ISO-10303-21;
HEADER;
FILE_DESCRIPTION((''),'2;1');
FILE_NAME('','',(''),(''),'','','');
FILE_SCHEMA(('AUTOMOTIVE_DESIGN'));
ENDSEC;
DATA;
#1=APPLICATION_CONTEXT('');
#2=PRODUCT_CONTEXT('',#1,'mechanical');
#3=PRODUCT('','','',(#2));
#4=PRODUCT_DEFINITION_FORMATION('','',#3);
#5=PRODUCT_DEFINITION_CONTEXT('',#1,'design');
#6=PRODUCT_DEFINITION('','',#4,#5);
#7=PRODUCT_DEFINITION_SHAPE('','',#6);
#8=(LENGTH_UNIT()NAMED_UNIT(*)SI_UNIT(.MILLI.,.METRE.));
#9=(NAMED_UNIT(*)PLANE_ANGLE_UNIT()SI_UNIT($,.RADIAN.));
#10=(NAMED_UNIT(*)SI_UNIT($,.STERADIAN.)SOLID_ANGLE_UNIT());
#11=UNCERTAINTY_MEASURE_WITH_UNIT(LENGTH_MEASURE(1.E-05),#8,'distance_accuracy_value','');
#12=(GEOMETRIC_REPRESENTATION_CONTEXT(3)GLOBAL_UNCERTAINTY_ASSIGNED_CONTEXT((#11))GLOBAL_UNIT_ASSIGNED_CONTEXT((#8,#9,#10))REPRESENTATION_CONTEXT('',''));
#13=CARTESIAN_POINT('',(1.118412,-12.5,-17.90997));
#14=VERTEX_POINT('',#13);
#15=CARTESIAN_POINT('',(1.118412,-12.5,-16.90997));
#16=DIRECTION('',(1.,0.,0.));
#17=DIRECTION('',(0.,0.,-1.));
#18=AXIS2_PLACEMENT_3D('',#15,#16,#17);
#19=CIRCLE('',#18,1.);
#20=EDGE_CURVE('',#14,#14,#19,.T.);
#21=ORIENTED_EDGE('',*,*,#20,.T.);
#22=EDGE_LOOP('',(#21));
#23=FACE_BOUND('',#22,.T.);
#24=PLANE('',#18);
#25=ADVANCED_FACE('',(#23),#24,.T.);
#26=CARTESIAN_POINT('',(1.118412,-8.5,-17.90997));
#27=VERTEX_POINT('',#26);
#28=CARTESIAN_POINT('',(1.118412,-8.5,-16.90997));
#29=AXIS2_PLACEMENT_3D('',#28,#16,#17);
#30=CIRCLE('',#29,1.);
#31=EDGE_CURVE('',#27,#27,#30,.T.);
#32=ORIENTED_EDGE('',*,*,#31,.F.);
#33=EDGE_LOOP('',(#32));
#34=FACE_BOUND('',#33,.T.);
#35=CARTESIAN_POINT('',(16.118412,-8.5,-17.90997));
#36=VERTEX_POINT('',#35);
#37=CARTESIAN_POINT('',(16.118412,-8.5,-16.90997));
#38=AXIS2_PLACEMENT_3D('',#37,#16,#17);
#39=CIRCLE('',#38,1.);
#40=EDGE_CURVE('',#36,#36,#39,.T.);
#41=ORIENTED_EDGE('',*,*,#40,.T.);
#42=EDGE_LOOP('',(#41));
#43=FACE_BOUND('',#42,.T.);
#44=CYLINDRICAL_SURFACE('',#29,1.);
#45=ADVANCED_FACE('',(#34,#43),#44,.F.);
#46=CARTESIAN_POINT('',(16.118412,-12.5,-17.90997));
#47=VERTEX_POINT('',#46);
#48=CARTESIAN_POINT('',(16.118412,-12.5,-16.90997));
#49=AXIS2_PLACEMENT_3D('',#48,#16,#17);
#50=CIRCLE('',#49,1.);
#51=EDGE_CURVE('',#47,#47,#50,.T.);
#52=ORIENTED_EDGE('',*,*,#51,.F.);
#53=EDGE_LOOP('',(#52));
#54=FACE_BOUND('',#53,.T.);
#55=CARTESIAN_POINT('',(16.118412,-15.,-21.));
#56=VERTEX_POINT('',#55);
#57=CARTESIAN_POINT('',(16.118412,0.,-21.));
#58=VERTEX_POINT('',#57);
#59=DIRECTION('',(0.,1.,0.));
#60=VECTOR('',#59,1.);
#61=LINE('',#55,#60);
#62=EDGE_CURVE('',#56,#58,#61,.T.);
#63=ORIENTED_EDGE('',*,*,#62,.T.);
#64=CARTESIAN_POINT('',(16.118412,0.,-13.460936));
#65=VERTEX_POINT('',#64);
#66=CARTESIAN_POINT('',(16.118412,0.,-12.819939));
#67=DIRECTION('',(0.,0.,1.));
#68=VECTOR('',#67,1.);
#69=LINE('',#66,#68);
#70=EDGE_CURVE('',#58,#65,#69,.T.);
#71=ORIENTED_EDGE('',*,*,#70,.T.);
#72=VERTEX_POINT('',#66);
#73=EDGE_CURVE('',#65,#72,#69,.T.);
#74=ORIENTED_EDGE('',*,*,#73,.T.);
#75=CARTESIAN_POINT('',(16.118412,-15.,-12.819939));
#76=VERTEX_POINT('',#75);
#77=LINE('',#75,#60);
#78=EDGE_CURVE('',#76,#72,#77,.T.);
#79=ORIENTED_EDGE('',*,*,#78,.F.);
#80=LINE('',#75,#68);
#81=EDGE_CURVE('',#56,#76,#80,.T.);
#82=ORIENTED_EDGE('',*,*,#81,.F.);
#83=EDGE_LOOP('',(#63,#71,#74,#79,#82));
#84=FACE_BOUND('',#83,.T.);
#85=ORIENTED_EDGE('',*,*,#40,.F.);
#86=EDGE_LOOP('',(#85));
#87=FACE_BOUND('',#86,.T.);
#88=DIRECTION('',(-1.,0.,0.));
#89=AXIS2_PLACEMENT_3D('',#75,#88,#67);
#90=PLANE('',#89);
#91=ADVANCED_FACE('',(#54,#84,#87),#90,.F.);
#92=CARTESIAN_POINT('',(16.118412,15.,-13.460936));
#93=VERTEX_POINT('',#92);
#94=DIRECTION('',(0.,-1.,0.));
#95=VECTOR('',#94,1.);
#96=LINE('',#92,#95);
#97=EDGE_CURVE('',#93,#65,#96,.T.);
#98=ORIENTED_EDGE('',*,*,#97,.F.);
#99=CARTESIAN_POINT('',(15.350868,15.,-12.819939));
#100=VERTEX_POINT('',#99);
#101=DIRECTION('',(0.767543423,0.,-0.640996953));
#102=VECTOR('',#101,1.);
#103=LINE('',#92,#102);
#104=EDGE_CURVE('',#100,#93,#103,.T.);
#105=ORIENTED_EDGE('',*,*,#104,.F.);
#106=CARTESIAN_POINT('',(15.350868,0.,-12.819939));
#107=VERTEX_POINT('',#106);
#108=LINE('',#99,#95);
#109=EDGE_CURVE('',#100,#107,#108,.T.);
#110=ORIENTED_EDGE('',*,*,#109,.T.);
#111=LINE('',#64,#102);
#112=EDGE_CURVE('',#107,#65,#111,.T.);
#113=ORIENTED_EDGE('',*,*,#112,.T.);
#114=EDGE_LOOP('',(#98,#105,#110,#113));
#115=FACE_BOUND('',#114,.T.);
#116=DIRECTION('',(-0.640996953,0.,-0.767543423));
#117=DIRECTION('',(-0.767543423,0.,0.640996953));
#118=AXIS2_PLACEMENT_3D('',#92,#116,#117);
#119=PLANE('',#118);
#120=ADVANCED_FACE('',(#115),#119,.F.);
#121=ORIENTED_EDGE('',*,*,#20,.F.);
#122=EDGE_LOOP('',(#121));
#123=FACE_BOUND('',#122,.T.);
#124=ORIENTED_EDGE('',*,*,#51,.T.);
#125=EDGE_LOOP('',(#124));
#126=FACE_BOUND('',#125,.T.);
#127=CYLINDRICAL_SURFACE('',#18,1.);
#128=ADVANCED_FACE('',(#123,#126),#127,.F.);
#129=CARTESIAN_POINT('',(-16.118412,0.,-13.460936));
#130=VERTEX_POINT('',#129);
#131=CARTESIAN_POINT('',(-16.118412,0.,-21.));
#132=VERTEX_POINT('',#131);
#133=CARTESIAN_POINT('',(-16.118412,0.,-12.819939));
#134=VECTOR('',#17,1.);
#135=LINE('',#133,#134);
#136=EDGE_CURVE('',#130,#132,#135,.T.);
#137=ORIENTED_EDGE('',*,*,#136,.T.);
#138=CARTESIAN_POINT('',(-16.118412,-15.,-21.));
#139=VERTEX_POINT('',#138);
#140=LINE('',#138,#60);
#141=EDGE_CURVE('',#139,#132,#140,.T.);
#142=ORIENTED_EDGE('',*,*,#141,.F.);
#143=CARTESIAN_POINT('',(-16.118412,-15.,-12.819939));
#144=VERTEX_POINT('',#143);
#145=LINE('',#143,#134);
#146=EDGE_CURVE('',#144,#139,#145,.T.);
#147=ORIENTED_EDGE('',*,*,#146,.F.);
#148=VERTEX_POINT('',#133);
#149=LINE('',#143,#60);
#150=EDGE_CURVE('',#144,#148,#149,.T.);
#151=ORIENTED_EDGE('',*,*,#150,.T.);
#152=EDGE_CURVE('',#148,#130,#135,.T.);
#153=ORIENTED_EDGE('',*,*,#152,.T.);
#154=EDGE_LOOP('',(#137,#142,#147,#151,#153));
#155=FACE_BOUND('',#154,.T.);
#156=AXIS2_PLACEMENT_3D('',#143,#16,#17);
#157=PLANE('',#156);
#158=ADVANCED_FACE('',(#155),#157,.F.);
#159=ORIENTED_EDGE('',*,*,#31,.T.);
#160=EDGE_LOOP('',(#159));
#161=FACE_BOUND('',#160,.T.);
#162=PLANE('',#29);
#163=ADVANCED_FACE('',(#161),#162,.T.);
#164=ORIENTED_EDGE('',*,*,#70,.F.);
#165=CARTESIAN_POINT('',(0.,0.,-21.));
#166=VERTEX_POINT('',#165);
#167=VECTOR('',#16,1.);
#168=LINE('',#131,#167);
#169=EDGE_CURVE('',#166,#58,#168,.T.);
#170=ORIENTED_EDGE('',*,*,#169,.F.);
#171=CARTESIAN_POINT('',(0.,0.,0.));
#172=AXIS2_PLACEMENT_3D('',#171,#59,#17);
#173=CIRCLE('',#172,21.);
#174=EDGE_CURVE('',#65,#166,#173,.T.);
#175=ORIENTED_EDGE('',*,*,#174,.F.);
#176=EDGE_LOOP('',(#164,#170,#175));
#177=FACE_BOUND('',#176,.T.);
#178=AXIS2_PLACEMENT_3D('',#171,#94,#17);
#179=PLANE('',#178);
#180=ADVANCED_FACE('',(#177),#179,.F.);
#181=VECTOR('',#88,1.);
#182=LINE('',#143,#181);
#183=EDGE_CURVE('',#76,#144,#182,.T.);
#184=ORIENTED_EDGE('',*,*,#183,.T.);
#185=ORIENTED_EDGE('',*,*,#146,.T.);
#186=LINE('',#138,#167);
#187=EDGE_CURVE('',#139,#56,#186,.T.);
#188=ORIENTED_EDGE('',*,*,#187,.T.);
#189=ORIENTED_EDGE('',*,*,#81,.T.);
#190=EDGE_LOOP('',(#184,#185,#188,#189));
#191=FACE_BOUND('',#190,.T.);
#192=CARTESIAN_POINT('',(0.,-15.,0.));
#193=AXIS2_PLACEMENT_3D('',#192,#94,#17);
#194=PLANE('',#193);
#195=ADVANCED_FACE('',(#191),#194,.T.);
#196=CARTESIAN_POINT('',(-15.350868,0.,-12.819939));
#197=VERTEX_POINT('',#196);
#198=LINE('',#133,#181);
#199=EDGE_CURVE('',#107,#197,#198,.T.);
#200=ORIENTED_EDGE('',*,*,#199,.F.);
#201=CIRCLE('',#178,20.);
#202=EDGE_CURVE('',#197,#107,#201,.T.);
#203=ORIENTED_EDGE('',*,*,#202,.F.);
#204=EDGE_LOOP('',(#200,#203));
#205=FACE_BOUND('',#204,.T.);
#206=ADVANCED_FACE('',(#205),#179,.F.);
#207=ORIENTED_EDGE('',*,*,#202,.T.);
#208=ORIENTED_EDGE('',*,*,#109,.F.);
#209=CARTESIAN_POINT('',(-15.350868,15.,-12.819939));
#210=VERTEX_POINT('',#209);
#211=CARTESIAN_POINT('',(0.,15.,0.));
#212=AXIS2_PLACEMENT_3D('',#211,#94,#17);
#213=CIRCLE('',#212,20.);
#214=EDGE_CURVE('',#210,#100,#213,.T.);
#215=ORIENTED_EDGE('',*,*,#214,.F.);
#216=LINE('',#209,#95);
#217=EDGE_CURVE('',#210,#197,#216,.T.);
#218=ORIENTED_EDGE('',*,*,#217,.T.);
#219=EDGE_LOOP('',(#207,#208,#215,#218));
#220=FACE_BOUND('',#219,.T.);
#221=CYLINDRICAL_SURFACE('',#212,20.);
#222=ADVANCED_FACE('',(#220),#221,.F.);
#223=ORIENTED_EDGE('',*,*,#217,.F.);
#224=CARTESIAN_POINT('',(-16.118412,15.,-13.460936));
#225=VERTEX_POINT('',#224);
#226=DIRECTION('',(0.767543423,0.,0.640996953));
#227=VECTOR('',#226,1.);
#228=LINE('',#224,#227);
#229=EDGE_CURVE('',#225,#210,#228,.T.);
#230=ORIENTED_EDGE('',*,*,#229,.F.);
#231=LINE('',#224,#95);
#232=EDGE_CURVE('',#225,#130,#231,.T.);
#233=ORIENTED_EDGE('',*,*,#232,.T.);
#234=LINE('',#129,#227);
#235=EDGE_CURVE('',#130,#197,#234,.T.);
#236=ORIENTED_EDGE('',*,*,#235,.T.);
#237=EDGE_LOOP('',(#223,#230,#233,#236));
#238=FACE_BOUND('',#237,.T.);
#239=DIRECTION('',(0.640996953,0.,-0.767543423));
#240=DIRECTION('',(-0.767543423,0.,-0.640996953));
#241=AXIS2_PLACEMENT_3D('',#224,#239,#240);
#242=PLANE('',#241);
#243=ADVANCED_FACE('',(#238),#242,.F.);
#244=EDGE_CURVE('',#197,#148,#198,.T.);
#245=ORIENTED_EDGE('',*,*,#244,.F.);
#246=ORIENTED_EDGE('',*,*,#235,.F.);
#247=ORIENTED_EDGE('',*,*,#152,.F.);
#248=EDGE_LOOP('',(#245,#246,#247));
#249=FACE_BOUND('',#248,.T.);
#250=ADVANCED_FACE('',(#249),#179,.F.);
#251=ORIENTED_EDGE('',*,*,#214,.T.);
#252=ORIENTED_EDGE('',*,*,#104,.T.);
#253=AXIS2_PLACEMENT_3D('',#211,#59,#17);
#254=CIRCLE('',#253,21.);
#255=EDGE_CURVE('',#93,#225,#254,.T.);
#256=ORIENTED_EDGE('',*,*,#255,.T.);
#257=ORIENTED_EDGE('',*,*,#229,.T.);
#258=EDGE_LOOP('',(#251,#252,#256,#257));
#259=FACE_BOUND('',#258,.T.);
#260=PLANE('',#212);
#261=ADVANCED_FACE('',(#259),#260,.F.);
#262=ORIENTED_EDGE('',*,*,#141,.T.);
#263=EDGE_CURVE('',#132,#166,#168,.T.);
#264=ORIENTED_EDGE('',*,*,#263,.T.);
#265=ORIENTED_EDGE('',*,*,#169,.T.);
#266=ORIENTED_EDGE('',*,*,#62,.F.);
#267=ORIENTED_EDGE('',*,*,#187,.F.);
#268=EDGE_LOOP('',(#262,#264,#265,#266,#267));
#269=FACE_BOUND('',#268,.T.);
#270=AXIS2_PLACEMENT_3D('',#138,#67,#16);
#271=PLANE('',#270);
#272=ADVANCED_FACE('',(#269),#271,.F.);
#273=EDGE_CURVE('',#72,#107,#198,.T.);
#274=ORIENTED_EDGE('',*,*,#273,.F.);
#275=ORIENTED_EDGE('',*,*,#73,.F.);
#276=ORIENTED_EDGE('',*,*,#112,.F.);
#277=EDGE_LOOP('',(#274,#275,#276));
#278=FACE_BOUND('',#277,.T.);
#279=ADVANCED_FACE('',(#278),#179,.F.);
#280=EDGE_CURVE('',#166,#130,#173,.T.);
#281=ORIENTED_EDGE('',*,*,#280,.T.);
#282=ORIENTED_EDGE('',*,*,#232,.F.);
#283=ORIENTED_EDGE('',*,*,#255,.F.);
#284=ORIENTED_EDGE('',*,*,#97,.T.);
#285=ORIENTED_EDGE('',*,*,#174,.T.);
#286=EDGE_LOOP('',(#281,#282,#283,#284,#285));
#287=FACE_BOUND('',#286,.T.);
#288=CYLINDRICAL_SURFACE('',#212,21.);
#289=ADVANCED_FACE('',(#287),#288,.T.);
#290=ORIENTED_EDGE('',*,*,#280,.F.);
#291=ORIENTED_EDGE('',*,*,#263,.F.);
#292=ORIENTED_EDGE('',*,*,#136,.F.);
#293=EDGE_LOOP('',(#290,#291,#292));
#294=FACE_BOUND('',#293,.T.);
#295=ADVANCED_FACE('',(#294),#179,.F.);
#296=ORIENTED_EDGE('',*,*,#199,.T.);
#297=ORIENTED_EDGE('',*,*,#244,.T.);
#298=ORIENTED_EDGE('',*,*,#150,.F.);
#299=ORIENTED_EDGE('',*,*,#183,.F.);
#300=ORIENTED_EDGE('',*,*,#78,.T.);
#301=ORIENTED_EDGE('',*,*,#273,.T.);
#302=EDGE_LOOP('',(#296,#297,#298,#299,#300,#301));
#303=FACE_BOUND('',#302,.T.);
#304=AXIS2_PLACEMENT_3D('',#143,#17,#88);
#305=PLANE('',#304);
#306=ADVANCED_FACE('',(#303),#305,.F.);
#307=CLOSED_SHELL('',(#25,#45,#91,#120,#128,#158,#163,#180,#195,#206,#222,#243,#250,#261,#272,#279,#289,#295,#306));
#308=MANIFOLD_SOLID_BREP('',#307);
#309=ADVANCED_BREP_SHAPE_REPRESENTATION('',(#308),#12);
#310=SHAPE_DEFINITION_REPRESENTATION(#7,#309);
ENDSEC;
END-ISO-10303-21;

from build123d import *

# Parameters (mm, degrees)
BOSS_EXTRUDE1_DEPTH = 15
SKETCH3_W           = 32.23682377
SKETCH3_H           = 8.180060941
BOSS_EXTRUDE2_DEPTH = 15
SKETCH4_R           = 1
CUT_EXTRUDE1_DEPTH  = 15


with BuildPart() as part:
    # Sketch2 → Boss-Extrude1 (new body)
    with BuildSketch(Plane(origin=(0, 0, 0), x_dir=(1, 0, 0), z_dir=(0, 1, 0))):
        with BuildLine():
            Line((-16.118411885, 13.460936011), (-15.350868462, 12.819939059))
            ThreePointArc((-15.350868462, 12.819939059), (0, 20), (15.350868462, 12.819939059))
            Line((15.350868462, 12.819939059), (16.118411885, 13.460936011))
            ThreePointArc((16.118411885, 13.460936011), (0, 21), (-16.118411885, 13.460936011))
        make_face()
    extrude(amount=BOSS_EXTRUDE1_DEPTH)

    # Sketch3 → Boss-Extrude2 (add)
    with BuildSketch(Plane.XZ):
        with Locations((0, -16.909969529)):
            Rectangle(SKETCH3_W, SKETCH3_H)
    extrude(amount=BOSS_EXTRUDE2_DEPTH)

    # Sketch4 → Cut-Extrude1 (cut)
    with BuildSketch(Plane(origin=(16.118411885, 0, 0), x_dir=(0, 0, -1), z_dir=(1, 0, 0))):
        with Locations((16.909969529, -12.5)):
            Circle(SKETCH4_R)
        with Locations((16.909969529, -8.5)):
            Circle(SKETCH4_R)
    extrude(amount=-CUT_EXTRUDE1_DEPTH, mode=Mode.SUBTRACT)


solid = part.part
